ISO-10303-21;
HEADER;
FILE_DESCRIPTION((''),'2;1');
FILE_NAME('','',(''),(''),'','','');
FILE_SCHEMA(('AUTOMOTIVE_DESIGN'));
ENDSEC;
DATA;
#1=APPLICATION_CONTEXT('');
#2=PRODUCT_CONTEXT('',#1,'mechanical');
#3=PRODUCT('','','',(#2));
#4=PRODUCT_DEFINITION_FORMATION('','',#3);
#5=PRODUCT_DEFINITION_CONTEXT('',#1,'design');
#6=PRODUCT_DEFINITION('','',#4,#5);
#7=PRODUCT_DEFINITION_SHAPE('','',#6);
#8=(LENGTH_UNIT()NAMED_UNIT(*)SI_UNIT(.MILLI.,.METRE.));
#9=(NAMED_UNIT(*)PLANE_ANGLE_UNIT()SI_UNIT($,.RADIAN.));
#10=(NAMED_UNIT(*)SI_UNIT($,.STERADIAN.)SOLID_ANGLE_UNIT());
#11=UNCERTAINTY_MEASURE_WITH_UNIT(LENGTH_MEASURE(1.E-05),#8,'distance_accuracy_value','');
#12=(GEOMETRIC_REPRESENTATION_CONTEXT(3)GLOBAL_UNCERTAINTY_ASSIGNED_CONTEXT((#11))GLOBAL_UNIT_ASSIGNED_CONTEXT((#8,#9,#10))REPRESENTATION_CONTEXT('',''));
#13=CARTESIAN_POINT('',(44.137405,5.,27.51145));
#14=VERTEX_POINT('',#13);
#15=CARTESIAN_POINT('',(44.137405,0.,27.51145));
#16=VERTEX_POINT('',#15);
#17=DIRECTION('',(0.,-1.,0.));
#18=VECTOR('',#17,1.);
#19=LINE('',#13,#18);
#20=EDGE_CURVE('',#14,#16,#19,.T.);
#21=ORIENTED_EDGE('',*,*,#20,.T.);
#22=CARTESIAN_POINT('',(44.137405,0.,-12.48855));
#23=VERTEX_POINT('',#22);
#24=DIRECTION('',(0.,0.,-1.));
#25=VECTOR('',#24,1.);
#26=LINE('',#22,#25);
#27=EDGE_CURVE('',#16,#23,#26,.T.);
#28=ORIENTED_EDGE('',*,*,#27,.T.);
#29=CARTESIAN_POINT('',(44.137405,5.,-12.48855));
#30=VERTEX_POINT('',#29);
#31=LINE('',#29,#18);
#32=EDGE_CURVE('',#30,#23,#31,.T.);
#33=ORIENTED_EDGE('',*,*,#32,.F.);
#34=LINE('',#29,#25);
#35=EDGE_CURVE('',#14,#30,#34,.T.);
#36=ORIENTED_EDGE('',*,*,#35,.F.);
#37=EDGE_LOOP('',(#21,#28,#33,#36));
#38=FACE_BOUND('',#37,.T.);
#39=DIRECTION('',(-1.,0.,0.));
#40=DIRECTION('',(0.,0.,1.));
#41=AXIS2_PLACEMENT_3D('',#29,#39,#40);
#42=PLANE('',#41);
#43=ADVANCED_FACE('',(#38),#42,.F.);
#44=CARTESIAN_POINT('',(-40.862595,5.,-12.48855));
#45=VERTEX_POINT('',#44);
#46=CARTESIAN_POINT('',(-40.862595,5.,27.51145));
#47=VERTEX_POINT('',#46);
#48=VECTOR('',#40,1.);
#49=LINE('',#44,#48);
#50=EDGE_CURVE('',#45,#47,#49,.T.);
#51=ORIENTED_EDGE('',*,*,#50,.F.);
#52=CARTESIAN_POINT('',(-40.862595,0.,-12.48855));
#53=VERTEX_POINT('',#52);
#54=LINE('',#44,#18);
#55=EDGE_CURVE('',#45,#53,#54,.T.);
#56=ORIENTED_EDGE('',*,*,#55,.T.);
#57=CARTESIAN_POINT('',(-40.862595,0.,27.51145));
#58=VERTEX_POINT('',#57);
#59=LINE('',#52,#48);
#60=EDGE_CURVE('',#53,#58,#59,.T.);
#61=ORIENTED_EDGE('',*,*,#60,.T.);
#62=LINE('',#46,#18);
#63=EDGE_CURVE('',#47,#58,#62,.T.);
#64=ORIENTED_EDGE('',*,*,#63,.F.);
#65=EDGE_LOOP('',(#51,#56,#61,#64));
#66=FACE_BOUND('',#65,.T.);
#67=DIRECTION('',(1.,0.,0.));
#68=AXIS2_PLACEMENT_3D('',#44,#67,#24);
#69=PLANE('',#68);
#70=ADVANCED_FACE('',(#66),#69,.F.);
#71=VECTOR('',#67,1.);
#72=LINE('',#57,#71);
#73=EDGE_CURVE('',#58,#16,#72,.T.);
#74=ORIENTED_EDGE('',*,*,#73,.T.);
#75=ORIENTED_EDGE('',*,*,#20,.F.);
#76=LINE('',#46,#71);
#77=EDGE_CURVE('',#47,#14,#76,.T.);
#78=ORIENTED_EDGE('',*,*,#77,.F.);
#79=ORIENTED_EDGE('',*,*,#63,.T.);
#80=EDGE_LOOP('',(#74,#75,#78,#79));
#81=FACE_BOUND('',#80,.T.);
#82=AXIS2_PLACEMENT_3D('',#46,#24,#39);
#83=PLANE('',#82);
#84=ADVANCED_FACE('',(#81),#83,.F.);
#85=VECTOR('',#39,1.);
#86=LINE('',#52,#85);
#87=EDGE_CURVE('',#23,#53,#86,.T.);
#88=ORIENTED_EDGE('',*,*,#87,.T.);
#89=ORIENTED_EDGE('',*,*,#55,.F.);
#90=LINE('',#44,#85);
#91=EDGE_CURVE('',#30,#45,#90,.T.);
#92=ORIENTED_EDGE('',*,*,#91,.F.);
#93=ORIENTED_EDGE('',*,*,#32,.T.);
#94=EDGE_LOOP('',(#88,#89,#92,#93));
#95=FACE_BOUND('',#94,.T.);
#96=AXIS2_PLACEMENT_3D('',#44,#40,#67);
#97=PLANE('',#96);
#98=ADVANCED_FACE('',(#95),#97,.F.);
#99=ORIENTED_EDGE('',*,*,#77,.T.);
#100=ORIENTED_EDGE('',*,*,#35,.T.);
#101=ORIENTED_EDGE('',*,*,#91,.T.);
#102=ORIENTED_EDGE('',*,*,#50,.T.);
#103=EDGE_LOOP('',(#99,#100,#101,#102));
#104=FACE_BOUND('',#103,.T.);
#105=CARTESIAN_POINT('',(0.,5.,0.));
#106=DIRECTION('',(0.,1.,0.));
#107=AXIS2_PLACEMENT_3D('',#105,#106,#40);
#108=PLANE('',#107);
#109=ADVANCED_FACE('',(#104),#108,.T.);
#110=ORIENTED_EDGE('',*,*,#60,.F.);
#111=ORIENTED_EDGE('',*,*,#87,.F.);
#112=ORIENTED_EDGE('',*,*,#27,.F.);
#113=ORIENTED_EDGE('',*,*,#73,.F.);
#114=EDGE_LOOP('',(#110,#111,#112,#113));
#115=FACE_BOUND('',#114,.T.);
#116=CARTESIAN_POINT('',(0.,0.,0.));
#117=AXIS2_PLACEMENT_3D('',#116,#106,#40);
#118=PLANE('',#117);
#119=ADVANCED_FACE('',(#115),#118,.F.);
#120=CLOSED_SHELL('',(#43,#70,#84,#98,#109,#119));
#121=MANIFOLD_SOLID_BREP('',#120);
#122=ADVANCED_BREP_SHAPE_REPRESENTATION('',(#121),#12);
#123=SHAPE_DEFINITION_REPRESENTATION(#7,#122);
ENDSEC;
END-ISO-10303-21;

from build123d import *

# Parameters (mm, degrees)
CROQUIS1_W              = 85
CROQUIS1_H              = 40
SALIENTE_EXTRUIR1_DEPTH = 5


with BuildPart() as part:
    # Croquis1 → Saliente-Extruir1 (new body)
    with BuildSketch(Plane(origin=(0, 0, 0), x_dir=(1, 0, 0), z_dir=(0, 1, 0))):
        with Locations((1.63740458, -7.511450382)):
            Rectangle(CROQUIS1_W, CROQUIS1_H)
    extrude(amount=SALIENTE_EXTRUIR1_DEPTH)


solid = part.part
